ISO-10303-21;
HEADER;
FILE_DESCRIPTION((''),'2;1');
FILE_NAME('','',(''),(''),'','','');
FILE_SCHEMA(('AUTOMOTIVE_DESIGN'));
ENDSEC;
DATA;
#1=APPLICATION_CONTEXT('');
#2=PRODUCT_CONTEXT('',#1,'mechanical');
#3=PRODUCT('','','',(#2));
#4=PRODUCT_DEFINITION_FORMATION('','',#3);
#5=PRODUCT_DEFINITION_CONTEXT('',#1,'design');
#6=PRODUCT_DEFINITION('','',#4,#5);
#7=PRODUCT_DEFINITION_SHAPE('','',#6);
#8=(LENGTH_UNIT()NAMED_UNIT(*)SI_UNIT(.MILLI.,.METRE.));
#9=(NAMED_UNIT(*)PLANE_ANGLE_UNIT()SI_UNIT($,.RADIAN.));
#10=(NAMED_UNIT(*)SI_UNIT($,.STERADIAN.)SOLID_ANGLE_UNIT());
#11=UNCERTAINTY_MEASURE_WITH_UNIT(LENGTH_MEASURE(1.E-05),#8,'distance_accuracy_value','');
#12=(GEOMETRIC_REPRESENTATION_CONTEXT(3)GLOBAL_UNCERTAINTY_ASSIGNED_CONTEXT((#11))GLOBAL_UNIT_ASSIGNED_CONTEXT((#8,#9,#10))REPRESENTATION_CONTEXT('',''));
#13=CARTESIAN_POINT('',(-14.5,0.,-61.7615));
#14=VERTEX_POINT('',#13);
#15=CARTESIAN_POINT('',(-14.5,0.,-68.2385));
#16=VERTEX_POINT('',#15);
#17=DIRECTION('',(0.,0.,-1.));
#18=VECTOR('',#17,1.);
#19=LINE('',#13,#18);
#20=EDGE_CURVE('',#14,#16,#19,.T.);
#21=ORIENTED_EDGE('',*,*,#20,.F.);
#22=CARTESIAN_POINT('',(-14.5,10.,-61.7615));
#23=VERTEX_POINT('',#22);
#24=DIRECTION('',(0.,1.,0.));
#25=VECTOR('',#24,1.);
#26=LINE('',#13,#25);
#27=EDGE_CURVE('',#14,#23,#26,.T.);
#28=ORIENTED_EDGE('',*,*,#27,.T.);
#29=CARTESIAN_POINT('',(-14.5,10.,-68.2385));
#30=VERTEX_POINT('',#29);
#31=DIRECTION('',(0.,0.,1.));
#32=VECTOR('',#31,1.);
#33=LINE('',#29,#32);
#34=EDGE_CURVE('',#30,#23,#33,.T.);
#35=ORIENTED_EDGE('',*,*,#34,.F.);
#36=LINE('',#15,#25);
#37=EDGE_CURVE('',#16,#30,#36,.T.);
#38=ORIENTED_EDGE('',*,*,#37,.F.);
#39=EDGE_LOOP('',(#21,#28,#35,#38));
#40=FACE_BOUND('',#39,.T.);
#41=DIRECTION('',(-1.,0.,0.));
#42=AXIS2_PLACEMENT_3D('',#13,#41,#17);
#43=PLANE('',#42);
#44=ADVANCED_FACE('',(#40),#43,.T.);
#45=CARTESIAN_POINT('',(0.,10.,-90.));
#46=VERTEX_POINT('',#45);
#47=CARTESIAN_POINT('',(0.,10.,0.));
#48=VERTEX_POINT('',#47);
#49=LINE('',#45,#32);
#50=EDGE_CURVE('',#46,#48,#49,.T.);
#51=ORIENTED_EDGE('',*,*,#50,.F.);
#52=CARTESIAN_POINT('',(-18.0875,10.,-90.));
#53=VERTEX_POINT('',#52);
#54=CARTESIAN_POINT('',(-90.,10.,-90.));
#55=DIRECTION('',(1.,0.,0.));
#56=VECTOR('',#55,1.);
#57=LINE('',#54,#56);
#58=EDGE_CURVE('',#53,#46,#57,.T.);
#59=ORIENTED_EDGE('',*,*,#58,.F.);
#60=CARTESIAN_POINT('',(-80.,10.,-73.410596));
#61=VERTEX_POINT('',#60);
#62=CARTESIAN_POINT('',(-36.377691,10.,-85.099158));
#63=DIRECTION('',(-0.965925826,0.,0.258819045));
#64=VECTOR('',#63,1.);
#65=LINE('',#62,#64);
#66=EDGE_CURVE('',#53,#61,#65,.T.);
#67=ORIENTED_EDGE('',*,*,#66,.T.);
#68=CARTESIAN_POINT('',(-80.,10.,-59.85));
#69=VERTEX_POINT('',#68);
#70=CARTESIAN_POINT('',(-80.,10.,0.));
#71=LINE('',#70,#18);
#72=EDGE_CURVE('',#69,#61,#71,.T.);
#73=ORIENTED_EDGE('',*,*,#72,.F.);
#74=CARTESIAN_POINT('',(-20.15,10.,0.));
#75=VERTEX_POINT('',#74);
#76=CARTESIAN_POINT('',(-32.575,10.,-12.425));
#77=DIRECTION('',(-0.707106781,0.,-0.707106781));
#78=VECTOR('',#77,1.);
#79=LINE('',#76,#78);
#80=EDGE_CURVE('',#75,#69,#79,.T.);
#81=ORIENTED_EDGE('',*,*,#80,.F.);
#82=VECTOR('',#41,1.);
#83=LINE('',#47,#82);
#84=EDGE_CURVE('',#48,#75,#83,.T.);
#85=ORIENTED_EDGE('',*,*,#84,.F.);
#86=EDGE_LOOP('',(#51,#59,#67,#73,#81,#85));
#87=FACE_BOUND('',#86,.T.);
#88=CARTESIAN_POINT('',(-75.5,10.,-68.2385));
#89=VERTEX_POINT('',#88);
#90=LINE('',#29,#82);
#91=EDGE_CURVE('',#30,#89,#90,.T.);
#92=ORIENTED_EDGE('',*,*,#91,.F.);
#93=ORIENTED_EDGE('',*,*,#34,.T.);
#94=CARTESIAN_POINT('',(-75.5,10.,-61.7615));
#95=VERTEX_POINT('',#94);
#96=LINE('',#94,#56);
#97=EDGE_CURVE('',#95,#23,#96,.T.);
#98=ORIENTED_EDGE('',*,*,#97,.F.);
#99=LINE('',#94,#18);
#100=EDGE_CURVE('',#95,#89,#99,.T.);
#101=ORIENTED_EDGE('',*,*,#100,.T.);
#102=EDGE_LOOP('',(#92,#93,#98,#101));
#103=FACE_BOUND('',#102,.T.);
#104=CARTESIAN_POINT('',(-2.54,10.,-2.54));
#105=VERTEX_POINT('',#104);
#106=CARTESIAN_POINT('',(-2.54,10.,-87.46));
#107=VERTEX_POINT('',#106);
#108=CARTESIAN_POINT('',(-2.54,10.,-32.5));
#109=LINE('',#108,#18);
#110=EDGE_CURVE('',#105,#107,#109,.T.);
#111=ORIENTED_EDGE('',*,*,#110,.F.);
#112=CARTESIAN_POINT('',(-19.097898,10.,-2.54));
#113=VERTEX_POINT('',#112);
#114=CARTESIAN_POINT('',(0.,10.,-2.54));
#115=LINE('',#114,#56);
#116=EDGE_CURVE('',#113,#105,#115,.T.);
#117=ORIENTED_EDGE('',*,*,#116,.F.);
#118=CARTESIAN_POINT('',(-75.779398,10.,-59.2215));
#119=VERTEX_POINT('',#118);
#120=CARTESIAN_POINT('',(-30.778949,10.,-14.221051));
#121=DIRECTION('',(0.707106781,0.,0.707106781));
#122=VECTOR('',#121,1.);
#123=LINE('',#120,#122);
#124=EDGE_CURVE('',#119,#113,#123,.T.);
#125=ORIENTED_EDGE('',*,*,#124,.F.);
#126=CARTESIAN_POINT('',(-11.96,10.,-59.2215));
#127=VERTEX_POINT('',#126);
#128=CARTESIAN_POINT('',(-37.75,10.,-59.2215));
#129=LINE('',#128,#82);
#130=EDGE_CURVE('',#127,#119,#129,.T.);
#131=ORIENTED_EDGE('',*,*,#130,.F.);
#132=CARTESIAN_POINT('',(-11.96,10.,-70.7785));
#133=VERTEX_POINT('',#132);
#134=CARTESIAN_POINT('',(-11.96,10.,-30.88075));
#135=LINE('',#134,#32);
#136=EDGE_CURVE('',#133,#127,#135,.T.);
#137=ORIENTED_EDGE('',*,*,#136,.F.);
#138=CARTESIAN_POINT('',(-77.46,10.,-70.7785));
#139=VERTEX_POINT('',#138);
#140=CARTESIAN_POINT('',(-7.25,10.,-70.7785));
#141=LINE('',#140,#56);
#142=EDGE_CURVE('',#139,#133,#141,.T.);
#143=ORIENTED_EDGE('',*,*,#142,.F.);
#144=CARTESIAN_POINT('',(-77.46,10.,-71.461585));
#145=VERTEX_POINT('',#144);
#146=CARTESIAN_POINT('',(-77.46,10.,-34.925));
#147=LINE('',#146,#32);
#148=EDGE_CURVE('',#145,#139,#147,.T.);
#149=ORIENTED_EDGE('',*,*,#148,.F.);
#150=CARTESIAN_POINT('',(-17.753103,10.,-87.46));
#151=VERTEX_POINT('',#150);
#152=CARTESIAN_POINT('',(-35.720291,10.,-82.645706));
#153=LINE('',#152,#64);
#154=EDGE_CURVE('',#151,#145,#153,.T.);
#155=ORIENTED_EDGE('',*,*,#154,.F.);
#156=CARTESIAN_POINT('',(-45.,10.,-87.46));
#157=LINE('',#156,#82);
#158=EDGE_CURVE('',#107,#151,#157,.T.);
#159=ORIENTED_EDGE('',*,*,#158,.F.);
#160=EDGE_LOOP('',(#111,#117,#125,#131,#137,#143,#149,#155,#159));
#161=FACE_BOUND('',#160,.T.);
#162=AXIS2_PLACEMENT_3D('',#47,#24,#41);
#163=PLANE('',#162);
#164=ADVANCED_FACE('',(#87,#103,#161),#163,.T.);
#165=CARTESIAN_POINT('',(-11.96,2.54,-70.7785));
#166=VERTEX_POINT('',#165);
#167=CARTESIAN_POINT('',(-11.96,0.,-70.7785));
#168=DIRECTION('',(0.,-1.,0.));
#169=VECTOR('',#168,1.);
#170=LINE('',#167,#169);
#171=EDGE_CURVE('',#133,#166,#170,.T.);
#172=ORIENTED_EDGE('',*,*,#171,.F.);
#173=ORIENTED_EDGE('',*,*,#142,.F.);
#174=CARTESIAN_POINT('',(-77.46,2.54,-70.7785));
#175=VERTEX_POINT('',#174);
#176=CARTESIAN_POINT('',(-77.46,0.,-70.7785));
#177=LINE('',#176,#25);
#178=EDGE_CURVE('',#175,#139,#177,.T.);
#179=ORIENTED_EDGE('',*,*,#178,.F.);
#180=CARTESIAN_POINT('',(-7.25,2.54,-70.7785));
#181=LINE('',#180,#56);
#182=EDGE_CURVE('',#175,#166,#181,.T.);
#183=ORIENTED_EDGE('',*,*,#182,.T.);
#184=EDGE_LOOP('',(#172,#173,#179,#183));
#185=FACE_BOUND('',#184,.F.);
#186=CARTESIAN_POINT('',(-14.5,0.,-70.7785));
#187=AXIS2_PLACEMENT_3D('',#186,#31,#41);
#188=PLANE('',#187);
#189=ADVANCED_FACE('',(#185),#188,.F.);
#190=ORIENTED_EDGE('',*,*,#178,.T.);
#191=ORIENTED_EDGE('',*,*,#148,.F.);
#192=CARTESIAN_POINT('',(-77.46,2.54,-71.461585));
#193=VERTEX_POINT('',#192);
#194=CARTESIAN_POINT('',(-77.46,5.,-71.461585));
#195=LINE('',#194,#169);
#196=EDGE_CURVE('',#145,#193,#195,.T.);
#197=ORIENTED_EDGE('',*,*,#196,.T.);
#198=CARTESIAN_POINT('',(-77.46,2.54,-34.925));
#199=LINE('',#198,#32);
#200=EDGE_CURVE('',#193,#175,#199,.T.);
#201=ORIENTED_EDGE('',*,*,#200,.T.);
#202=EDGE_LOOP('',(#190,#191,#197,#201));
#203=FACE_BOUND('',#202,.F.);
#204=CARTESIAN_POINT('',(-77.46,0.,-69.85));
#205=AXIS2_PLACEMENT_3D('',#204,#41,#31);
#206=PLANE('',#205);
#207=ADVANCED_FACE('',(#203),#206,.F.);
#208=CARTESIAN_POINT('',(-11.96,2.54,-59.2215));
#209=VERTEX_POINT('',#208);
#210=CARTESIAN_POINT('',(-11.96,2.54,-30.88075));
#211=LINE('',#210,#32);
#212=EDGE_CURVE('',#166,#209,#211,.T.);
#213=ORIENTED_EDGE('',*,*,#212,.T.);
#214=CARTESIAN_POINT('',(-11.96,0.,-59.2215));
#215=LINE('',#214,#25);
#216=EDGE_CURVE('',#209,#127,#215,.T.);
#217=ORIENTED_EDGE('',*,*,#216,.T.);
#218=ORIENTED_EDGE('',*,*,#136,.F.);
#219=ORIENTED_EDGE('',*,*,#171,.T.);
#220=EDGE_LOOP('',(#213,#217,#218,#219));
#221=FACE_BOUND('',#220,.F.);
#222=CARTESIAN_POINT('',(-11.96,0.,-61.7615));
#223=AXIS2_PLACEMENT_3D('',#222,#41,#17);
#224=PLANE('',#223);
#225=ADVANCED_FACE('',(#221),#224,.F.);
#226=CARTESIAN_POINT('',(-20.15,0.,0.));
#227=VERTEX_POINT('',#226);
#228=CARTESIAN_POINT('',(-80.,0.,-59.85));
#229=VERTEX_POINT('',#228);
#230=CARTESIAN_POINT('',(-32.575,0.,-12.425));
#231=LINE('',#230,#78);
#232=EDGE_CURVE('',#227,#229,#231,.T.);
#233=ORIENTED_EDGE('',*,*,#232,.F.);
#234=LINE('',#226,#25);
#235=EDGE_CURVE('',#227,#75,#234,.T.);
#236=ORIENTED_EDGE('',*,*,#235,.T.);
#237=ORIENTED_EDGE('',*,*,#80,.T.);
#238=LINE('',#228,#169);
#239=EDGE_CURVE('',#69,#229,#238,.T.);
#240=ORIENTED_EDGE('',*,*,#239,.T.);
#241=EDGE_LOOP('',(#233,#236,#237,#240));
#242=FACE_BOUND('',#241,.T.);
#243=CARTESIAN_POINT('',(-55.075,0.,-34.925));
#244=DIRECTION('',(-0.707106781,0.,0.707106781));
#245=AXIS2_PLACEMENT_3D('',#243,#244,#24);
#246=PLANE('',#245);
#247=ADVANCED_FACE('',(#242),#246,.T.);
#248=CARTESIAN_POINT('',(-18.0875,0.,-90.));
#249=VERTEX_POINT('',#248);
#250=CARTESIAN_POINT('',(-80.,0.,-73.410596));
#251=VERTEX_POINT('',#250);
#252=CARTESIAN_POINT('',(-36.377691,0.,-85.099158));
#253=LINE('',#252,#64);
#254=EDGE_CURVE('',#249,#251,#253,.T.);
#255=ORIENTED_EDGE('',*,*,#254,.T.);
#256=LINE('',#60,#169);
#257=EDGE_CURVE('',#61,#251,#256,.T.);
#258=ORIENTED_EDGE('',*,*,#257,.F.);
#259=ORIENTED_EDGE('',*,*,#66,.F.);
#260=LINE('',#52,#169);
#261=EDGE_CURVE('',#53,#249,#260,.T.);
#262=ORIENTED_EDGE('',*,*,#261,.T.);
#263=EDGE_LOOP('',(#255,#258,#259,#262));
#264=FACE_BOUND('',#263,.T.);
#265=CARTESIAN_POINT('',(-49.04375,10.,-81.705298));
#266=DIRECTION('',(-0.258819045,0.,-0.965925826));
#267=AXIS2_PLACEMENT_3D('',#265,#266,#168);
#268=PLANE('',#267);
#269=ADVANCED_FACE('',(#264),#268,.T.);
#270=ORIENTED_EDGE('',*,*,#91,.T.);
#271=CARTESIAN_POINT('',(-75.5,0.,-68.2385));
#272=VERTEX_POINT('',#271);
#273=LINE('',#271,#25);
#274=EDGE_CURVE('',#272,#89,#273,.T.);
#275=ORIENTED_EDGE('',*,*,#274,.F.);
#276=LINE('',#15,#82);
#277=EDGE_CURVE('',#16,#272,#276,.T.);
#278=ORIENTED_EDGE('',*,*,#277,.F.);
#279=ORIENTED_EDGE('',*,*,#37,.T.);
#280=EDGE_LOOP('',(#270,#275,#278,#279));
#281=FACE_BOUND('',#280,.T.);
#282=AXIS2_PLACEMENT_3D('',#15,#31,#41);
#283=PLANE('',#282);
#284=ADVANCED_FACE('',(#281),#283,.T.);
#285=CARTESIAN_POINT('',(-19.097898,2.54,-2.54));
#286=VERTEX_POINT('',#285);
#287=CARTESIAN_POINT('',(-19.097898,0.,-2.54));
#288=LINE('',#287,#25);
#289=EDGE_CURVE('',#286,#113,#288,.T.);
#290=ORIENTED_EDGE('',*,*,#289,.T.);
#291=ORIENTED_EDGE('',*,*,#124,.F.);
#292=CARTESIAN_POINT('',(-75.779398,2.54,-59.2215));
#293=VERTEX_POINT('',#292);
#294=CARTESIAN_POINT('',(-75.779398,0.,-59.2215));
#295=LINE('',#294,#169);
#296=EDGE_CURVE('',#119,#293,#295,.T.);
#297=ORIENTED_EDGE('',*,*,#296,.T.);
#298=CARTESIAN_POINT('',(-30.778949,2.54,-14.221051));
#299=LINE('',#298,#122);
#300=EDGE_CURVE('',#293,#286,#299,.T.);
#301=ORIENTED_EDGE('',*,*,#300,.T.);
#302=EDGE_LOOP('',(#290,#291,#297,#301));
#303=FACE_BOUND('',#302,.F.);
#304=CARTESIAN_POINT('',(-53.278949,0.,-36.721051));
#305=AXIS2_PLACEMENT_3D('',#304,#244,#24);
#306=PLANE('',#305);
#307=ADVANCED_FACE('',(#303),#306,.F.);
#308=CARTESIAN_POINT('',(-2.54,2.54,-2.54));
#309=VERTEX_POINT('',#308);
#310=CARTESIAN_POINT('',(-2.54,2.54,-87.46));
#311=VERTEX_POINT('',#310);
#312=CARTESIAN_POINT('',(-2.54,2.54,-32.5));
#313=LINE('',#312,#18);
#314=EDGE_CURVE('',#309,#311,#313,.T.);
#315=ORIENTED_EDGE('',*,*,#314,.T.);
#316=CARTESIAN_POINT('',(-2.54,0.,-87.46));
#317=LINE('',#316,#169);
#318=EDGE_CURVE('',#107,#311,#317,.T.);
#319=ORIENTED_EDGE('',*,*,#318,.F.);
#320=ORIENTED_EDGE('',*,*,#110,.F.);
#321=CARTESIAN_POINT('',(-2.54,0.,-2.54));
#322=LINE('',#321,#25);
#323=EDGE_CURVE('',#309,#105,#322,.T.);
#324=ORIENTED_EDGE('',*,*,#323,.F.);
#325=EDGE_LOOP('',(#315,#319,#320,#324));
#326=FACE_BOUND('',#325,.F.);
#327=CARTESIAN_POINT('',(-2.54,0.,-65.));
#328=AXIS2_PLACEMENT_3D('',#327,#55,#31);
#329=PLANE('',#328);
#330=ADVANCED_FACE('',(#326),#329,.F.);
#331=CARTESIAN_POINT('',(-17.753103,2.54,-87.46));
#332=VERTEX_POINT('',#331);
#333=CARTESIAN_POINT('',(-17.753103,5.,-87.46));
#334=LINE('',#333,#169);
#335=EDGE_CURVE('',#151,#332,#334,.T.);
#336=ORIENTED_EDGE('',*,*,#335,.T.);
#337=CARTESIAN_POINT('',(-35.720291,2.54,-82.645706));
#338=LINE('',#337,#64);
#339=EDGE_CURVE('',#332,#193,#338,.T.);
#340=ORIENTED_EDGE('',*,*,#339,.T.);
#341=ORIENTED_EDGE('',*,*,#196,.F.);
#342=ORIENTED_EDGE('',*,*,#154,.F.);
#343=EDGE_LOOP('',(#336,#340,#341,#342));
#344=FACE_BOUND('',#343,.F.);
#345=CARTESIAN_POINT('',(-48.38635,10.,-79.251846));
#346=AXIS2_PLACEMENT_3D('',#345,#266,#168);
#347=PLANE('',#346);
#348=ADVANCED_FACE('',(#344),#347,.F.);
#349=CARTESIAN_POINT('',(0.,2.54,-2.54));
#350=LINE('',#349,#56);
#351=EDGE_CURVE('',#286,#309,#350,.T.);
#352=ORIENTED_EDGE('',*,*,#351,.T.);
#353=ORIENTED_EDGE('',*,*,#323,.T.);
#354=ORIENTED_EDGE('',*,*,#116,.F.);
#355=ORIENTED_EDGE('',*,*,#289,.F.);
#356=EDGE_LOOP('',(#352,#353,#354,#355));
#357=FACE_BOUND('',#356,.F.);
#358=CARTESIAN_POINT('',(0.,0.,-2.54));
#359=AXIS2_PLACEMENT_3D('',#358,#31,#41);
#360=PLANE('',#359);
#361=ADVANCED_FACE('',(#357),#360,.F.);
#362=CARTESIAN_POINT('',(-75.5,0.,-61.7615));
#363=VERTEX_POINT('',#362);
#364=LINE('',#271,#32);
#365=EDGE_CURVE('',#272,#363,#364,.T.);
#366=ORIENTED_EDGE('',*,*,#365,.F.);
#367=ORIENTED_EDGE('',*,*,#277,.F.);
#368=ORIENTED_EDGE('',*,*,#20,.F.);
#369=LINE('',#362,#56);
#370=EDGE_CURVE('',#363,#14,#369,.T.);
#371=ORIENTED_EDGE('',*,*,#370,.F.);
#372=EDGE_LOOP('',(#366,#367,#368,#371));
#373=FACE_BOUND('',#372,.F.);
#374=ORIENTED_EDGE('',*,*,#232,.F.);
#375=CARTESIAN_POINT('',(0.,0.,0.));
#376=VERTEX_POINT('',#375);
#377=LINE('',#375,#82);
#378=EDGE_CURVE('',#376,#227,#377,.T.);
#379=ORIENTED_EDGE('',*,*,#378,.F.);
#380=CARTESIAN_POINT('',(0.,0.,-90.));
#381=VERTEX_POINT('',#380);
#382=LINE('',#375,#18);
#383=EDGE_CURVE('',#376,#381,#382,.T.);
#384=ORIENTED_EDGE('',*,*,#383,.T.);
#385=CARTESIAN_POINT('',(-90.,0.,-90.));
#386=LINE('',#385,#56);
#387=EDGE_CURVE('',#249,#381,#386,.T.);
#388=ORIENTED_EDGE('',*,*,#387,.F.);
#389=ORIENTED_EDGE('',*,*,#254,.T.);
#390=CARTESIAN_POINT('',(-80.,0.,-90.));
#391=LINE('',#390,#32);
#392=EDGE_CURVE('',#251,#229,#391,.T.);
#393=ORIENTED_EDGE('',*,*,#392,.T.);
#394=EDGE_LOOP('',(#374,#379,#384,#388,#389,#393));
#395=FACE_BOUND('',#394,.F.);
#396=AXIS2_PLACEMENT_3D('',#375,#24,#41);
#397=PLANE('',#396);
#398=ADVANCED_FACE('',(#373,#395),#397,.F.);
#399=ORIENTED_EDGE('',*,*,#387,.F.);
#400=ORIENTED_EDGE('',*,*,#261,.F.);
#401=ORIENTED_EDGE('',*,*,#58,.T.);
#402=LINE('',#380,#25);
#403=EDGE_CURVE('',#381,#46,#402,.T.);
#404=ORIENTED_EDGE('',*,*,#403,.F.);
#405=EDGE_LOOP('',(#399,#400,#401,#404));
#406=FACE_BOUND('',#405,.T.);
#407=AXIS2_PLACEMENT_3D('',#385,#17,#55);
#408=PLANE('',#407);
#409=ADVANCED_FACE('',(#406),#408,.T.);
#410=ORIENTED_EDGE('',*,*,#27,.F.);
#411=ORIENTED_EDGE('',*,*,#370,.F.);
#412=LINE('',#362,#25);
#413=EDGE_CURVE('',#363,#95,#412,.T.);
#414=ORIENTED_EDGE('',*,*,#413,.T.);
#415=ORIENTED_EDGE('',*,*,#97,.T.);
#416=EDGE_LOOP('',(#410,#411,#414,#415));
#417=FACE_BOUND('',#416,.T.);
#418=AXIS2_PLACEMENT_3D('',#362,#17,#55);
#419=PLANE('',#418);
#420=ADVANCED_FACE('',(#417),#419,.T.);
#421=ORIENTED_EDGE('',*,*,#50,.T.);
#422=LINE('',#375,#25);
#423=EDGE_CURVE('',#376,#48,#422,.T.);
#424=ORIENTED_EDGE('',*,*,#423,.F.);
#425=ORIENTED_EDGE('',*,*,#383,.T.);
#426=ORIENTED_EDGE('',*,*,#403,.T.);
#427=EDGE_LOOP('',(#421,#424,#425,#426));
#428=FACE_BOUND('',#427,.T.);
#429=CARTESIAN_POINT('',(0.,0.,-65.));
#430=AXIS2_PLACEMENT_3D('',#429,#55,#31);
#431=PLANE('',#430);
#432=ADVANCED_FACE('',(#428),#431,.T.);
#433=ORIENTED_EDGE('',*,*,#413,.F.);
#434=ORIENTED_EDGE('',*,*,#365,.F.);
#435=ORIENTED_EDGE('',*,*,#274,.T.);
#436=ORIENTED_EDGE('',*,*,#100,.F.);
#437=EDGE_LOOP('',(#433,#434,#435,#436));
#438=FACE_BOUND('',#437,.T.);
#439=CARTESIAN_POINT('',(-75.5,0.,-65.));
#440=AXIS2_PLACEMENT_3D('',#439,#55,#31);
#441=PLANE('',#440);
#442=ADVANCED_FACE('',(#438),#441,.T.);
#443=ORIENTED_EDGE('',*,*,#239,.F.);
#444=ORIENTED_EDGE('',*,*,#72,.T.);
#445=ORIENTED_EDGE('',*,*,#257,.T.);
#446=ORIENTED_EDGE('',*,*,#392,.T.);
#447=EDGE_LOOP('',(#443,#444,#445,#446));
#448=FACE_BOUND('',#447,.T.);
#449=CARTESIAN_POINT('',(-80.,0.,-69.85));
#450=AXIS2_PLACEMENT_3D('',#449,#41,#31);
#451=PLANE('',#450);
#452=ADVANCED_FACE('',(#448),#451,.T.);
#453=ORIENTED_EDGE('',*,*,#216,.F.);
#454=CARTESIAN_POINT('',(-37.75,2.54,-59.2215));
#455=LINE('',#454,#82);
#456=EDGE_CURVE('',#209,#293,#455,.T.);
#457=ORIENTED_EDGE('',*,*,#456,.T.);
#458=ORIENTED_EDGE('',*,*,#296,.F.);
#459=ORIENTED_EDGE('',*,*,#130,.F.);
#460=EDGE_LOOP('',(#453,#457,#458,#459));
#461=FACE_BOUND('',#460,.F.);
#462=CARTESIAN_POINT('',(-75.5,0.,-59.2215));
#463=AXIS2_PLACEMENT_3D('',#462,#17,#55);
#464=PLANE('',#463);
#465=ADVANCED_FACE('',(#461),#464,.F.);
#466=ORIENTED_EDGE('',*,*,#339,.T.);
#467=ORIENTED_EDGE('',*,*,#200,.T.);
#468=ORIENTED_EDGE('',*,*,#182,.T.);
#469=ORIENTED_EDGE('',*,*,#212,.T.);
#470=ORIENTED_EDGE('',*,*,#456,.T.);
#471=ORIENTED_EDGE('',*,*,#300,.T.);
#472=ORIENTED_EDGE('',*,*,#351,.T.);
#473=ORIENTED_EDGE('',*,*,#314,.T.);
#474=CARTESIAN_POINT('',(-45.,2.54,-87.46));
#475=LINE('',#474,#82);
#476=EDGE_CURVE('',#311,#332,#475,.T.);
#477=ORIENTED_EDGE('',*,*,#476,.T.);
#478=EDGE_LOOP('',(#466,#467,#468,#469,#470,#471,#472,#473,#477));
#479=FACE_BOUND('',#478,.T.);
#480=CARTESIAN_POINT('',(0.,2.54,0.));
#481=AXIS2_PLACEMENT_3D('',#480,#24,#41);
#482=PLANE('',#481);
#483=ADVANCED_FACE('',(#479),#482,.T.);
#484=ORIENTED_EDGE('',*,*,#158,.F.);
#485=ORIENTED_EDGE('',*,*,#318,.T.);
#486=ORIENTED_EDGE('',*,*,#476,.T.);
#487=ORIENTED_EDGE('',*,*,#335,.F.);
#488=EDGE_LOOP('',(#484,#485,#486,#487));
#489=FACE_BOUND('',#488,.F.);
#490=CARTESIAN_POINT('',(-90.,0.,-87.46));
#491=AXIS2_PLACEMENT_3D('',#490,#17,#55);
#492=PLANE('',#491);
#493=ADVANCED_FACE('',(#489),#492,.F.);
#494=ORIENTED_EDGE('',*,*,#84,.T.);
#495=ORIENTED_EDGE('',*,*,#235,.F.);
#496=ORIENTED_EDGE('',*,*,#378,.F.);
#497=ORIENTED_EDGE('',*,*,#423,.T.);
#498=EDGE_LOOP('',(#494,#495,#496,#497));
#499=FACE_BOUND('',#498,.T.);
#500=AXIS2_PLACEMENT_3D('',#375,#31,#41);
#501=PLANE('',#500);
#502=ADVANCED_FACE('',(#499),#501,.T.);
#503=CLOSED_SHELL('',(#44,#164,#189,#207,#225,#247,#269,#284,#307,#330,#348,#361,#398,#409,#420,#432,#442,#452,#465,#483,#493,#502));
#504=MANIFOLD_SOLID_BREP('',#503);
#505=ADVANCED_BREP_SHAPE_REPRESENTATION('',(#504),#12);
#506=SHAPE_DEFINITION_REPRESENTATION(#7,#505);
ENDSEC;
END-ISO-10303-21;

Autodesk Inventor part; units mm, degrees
ref_plane "YZ Plane" through (0, 0, 0) normal (1, 0, 0) x (0, 1, 0)
ref_plane "XZ Plane" through (0, 0, 0) normal (0, 1, 0) x (-1, 0, 0)
ref_plane "XY Plane" through (0, 0, 0) normal (0, 0, 1) x (1, 0, 0)
sketch "Sketch1" plane through (0, 0, 0) normal (0, 1, 0) x (-1, 0, 0)
  line L0 (0, 0) -> (90, 0)
  line L1 (90, 0) -> (90, -90)
  line L2 (90, -90) -> (0, -90)
  line L3 (0, -90) -> (0, 0)
  line L4 (0, 0) -> (90, 0)
  line L5 (90, 0) -> (90, -65)
  line L6 (90, -65) -> (0, -65)
  line L7 (0, -65) -> (0, 0)
  line L8 (14.5, -68.2385) -> (75.5, -68.2385)
  line L9 (75.5, -68.2385) -> (75.5, -61.7615)
  line L10 (75.5, -61.7615) -> (14.5, -61.7615)
  line L11 (14.5, -61.7615) -> (14.5, -68.2385)
  line L12 (14.5, -68.2385) -> (75.5, -61.7615) construction
  line L13 (75.5, -68.2385) -> (14.5, -61.7615) construction
  line L14 (14.5, -68.2385) -> (75.5, -68.2385) construction
  point P0 (45, -65)
  dimension "d16" = 90
  dimension "d17" = 90
  dimension "d18" = 90
  dimension "d19" = 65
  dimension "d20" = 61
  dimension "d21" = 0
  dimension "d22" = 6.477
extrude "Extrusion1" add sketch "Sketch1" along normal blind 10 contours L0 L1 L6 L9 L10 L11 L3 | L6 L11 L8 L9 L1 L2 L3
chamfer "Chamfer1" distance 69.85 angle 45 1 edges at (-90, 5, 0)
sketch "Sketch2" plane through (-90, 0, -69.85) normal (-1, 0, 0) x (0, 0, 1)
  line L0 (69.85, 10) -> (0, 10) projected
  line L1 (0, 10) -> (0, 0) projected
  line L2 (0, 0) -> (69.85, 0) projected
  line L3 (69.85, 0) -> (69.85, 10) projected
  line L4 (-20.15, 0) -> (0, 0) projected
  line L5 (0, 10) -> (0, 0) projected
  line L6 (-20.15, 10) -> (0, 10) projected
  line L7 (-7.8336, 10) -> (-20.15, 10) projected
  line L8 (-20.15, 10) -> (-20.15, 0) projected
  line L9 (-20.15, 0) -> (-7.8336, 0) projected
  line L10 (-7.8336, 0) -> (-7.8336, 10) projected
  line L11 (-20.15, 0) -> (-20.15, 10) projected
extrude "Extrusion2" cut sketch "Sketch2" against normal blind 10
chamfer "Chamfer3" distance 61.9125 angle 15 1 edges at (-80, 5, -90) measured on face at (-26.6667, 6.6667, -90)
shell "Shell1" thickness 2.54 removed faces 1 at (-36.7167, 10, -41.1743)
properties part number "Speaker Stand"
